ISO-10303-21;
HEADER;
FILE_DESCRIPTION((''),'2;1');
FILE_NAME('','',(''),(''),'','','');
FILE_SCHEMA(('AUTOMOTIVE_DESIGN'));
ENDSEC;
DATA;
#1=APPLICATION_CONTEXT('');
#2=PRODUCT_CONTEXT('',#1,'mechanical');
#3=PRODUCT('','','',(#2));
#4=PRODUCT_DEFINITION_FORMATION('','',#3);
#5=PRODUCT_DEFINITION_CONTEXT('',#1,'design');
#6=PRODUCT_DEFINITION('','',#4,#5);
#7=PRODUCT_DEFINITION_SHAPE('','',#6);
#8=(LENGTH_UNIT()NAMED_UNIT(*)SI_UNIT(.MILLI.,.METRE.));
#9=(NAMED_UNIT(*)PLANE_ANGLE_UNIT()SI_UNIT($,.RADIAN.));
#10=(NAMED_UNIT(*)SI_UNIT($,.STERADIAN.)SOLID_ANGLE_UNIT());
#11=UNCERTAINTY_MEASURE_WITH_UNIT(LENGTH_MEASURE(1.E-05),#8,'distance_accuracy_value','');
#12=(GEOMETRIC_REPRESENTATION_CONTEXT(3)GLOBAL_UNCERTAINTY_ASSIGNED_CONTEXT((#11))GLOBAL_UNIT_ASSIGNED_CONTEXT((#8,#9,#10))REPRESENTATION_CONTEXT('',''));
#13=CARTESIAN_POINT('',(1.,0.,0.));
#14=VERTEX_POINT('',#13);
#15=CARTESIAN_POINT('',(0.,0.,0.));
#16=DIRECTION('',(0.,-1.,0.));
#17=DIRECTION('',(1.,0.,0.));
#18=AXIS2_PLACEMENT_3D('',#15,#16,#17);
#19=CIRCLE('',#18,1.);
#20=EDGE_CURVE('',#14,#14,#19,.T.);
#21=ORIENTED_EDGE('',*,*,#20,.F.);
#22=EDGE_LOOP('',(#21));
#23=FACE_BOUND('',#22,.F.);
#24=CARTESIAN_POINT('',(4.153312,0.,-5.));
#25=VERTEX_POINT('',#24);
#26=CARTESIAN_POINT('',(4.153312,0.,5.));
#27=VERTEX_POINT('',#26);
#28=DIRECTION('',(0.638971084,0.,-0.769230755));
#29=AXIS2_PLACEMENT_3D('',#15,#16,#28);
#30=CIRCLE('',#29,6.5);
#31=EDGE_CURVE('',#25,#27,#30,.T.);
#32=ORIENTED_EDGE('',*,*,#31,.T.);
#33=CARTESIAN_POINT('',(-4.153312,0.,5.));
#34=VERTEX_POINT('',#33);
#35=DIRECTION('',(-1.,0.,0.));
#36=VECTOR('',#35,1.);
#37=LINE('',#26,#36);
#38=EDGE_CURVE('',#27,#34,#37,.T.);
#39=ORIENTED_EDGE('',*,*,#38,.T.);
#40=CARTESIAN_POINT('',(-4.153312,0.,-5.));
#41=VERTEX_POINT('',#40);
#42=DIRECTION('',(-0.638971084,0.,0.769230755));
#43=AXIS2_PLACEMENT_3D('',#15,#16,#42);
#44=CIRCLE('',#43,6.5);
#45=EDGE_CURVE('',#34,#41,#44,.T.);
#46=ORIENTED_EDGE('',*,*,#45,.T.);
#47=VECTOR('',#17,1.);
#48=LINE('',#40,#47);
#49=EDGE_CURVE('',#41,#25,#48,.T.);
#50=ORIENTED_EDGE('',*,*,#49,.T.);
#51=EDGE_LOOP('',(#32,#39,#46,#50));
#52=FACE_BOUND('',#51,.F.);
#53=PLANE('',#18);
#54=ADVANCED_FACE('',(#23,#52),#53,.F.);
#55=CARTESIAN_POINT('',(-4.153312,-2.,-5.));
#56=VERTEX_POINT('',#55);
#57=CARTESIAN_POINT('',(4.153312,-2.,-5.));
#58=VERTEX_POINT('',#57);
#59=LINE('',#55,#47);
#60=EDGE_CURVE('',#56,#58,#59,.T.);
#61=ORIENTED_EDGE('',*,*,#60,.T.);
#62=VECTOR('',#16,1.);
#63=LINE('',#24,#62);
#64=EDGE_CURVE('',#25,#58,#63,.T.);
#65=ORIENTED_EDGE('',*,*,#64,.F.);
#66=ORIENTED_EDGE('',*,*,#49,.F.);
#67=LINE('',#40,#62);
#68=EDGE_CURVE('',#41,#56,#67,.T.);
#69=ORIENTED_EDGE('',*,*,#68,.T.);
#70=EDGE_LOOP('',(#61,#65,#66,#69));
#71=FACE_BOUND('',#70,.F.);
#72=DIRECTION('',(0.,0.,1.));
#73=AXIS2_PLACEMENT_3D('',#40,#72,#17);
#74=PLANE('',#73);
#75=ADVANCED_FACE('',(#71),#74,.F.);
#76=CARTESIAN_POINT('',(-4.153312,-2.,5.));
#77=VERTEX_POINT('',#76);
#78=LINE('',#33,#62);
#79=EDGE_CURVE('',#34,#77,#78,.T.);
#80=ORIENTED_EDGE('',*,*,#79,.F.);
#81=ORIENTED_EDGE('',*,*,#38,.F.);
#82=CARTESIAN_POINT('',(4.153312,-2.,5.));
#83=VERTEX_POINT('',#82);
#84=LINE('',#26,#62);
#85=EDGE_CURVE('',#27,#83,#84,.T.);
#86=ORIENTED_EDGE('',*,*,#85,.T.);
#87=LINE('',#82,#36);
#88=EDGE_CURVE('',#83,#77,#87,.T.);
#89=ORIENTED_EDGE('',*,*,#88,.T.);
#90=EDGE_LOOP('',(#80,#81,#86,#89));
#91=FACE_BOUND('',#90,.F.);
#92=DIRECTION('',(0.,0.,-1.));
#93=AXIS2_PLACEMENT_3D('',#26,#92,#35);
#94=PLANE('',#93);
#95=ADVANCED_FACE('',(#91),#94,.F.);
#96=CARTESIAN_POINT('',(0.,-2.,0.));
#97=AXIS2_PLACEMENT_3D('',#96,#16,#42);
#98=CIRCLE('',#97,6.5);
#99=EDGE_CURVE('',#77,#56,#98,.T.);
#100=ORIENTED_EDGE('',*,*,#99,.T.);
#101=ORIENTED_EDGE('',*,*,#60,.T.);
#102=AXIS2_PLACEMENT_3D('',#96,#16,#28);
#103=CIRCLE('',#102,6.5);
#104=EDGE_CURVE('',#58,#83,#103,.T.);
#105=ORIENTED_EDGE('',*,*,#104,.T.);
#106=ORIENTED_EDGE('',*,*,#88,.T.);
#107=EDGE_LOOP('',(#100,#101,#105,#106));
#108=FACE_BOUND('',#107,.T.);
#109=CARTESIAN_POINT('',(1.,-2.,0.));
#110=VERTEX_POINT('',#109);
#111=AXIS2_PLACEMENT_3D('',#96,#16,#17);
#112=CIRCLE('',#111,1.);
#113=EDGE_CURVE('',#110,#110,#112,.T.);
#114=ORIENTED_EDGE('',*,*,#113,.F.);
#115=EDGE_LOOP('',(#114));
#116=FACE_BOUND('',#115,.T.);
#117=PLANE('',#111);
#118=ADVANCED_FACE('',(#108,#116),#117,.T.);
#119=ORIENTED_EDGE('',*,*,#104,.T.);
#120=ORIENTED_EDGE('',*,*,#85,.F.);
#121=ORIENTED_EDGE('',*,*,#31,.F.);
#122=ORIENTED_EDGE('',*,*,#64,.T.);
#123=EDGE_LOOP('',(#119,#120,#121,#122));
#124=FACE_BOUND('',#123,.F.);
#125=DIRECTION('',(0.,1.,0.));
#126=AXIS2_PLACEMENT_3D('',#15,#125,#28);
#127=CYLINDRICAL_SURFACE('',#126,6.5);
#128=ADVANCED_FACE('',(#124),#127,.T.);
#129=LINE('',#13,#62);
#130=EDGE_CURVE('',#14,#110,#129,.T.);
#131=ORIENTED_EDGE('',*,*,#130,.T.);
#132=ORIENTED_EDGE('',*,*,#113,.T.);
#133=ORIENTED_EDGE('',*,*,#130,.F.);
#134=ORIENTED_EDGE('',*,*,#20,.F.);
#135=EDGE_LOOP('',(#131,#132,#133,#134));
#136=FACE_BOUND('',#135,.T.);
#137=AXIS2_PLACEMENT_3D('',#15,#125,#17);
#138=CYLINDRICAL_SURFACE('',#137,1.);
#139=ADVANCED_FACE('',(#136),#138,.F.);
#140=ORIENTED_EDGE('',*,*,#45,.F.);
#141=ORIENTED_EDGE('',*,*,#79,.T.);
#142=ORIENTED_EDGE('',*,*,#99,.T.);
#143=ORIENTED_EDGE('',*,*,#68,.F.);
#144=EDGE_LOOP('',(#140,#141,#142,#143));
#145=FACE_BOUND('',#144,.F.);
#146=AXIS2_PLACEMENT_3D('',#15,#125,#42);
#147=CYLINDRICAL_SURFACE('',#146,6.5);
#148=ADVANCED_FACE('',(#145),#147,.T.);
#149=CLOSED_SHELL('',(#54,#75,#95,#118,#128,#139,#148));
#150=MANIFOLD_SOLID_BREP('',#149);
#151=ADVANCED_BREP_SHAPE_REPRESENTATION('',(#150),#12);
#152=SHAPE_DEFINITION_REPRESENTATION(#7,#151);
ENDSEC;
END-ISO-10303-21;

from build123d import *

# Parameters (mm, degrees)
F0_R     = 1
F1_DEPTH = 2


with BuildPart() as f1:
    # F0 (on Front) → F1 (new body)
    with BuildSketch(Plane.XZ):
        with BuildLine():
            Line((3.773731, 5), (-4.153312, 5))
            ThreePointArc((-4.153312, 5), (-6.5, 0), (-4.153312, -5))
            Line((-4.153312, -5), (3.773731, -5))
            Line((3.773731, -5), (4.153312, -5))
            ThreePointArc((4.153312, -5), (6.5, 0), (4.153312, 5))
            Line((4.153312, 5), (3.773731, 5))
        make_face()
        Circle(F0_R, mode=Mode.SUBTRACT)
    extrude(amount=F1_DEPTH)


solid = f1.part
